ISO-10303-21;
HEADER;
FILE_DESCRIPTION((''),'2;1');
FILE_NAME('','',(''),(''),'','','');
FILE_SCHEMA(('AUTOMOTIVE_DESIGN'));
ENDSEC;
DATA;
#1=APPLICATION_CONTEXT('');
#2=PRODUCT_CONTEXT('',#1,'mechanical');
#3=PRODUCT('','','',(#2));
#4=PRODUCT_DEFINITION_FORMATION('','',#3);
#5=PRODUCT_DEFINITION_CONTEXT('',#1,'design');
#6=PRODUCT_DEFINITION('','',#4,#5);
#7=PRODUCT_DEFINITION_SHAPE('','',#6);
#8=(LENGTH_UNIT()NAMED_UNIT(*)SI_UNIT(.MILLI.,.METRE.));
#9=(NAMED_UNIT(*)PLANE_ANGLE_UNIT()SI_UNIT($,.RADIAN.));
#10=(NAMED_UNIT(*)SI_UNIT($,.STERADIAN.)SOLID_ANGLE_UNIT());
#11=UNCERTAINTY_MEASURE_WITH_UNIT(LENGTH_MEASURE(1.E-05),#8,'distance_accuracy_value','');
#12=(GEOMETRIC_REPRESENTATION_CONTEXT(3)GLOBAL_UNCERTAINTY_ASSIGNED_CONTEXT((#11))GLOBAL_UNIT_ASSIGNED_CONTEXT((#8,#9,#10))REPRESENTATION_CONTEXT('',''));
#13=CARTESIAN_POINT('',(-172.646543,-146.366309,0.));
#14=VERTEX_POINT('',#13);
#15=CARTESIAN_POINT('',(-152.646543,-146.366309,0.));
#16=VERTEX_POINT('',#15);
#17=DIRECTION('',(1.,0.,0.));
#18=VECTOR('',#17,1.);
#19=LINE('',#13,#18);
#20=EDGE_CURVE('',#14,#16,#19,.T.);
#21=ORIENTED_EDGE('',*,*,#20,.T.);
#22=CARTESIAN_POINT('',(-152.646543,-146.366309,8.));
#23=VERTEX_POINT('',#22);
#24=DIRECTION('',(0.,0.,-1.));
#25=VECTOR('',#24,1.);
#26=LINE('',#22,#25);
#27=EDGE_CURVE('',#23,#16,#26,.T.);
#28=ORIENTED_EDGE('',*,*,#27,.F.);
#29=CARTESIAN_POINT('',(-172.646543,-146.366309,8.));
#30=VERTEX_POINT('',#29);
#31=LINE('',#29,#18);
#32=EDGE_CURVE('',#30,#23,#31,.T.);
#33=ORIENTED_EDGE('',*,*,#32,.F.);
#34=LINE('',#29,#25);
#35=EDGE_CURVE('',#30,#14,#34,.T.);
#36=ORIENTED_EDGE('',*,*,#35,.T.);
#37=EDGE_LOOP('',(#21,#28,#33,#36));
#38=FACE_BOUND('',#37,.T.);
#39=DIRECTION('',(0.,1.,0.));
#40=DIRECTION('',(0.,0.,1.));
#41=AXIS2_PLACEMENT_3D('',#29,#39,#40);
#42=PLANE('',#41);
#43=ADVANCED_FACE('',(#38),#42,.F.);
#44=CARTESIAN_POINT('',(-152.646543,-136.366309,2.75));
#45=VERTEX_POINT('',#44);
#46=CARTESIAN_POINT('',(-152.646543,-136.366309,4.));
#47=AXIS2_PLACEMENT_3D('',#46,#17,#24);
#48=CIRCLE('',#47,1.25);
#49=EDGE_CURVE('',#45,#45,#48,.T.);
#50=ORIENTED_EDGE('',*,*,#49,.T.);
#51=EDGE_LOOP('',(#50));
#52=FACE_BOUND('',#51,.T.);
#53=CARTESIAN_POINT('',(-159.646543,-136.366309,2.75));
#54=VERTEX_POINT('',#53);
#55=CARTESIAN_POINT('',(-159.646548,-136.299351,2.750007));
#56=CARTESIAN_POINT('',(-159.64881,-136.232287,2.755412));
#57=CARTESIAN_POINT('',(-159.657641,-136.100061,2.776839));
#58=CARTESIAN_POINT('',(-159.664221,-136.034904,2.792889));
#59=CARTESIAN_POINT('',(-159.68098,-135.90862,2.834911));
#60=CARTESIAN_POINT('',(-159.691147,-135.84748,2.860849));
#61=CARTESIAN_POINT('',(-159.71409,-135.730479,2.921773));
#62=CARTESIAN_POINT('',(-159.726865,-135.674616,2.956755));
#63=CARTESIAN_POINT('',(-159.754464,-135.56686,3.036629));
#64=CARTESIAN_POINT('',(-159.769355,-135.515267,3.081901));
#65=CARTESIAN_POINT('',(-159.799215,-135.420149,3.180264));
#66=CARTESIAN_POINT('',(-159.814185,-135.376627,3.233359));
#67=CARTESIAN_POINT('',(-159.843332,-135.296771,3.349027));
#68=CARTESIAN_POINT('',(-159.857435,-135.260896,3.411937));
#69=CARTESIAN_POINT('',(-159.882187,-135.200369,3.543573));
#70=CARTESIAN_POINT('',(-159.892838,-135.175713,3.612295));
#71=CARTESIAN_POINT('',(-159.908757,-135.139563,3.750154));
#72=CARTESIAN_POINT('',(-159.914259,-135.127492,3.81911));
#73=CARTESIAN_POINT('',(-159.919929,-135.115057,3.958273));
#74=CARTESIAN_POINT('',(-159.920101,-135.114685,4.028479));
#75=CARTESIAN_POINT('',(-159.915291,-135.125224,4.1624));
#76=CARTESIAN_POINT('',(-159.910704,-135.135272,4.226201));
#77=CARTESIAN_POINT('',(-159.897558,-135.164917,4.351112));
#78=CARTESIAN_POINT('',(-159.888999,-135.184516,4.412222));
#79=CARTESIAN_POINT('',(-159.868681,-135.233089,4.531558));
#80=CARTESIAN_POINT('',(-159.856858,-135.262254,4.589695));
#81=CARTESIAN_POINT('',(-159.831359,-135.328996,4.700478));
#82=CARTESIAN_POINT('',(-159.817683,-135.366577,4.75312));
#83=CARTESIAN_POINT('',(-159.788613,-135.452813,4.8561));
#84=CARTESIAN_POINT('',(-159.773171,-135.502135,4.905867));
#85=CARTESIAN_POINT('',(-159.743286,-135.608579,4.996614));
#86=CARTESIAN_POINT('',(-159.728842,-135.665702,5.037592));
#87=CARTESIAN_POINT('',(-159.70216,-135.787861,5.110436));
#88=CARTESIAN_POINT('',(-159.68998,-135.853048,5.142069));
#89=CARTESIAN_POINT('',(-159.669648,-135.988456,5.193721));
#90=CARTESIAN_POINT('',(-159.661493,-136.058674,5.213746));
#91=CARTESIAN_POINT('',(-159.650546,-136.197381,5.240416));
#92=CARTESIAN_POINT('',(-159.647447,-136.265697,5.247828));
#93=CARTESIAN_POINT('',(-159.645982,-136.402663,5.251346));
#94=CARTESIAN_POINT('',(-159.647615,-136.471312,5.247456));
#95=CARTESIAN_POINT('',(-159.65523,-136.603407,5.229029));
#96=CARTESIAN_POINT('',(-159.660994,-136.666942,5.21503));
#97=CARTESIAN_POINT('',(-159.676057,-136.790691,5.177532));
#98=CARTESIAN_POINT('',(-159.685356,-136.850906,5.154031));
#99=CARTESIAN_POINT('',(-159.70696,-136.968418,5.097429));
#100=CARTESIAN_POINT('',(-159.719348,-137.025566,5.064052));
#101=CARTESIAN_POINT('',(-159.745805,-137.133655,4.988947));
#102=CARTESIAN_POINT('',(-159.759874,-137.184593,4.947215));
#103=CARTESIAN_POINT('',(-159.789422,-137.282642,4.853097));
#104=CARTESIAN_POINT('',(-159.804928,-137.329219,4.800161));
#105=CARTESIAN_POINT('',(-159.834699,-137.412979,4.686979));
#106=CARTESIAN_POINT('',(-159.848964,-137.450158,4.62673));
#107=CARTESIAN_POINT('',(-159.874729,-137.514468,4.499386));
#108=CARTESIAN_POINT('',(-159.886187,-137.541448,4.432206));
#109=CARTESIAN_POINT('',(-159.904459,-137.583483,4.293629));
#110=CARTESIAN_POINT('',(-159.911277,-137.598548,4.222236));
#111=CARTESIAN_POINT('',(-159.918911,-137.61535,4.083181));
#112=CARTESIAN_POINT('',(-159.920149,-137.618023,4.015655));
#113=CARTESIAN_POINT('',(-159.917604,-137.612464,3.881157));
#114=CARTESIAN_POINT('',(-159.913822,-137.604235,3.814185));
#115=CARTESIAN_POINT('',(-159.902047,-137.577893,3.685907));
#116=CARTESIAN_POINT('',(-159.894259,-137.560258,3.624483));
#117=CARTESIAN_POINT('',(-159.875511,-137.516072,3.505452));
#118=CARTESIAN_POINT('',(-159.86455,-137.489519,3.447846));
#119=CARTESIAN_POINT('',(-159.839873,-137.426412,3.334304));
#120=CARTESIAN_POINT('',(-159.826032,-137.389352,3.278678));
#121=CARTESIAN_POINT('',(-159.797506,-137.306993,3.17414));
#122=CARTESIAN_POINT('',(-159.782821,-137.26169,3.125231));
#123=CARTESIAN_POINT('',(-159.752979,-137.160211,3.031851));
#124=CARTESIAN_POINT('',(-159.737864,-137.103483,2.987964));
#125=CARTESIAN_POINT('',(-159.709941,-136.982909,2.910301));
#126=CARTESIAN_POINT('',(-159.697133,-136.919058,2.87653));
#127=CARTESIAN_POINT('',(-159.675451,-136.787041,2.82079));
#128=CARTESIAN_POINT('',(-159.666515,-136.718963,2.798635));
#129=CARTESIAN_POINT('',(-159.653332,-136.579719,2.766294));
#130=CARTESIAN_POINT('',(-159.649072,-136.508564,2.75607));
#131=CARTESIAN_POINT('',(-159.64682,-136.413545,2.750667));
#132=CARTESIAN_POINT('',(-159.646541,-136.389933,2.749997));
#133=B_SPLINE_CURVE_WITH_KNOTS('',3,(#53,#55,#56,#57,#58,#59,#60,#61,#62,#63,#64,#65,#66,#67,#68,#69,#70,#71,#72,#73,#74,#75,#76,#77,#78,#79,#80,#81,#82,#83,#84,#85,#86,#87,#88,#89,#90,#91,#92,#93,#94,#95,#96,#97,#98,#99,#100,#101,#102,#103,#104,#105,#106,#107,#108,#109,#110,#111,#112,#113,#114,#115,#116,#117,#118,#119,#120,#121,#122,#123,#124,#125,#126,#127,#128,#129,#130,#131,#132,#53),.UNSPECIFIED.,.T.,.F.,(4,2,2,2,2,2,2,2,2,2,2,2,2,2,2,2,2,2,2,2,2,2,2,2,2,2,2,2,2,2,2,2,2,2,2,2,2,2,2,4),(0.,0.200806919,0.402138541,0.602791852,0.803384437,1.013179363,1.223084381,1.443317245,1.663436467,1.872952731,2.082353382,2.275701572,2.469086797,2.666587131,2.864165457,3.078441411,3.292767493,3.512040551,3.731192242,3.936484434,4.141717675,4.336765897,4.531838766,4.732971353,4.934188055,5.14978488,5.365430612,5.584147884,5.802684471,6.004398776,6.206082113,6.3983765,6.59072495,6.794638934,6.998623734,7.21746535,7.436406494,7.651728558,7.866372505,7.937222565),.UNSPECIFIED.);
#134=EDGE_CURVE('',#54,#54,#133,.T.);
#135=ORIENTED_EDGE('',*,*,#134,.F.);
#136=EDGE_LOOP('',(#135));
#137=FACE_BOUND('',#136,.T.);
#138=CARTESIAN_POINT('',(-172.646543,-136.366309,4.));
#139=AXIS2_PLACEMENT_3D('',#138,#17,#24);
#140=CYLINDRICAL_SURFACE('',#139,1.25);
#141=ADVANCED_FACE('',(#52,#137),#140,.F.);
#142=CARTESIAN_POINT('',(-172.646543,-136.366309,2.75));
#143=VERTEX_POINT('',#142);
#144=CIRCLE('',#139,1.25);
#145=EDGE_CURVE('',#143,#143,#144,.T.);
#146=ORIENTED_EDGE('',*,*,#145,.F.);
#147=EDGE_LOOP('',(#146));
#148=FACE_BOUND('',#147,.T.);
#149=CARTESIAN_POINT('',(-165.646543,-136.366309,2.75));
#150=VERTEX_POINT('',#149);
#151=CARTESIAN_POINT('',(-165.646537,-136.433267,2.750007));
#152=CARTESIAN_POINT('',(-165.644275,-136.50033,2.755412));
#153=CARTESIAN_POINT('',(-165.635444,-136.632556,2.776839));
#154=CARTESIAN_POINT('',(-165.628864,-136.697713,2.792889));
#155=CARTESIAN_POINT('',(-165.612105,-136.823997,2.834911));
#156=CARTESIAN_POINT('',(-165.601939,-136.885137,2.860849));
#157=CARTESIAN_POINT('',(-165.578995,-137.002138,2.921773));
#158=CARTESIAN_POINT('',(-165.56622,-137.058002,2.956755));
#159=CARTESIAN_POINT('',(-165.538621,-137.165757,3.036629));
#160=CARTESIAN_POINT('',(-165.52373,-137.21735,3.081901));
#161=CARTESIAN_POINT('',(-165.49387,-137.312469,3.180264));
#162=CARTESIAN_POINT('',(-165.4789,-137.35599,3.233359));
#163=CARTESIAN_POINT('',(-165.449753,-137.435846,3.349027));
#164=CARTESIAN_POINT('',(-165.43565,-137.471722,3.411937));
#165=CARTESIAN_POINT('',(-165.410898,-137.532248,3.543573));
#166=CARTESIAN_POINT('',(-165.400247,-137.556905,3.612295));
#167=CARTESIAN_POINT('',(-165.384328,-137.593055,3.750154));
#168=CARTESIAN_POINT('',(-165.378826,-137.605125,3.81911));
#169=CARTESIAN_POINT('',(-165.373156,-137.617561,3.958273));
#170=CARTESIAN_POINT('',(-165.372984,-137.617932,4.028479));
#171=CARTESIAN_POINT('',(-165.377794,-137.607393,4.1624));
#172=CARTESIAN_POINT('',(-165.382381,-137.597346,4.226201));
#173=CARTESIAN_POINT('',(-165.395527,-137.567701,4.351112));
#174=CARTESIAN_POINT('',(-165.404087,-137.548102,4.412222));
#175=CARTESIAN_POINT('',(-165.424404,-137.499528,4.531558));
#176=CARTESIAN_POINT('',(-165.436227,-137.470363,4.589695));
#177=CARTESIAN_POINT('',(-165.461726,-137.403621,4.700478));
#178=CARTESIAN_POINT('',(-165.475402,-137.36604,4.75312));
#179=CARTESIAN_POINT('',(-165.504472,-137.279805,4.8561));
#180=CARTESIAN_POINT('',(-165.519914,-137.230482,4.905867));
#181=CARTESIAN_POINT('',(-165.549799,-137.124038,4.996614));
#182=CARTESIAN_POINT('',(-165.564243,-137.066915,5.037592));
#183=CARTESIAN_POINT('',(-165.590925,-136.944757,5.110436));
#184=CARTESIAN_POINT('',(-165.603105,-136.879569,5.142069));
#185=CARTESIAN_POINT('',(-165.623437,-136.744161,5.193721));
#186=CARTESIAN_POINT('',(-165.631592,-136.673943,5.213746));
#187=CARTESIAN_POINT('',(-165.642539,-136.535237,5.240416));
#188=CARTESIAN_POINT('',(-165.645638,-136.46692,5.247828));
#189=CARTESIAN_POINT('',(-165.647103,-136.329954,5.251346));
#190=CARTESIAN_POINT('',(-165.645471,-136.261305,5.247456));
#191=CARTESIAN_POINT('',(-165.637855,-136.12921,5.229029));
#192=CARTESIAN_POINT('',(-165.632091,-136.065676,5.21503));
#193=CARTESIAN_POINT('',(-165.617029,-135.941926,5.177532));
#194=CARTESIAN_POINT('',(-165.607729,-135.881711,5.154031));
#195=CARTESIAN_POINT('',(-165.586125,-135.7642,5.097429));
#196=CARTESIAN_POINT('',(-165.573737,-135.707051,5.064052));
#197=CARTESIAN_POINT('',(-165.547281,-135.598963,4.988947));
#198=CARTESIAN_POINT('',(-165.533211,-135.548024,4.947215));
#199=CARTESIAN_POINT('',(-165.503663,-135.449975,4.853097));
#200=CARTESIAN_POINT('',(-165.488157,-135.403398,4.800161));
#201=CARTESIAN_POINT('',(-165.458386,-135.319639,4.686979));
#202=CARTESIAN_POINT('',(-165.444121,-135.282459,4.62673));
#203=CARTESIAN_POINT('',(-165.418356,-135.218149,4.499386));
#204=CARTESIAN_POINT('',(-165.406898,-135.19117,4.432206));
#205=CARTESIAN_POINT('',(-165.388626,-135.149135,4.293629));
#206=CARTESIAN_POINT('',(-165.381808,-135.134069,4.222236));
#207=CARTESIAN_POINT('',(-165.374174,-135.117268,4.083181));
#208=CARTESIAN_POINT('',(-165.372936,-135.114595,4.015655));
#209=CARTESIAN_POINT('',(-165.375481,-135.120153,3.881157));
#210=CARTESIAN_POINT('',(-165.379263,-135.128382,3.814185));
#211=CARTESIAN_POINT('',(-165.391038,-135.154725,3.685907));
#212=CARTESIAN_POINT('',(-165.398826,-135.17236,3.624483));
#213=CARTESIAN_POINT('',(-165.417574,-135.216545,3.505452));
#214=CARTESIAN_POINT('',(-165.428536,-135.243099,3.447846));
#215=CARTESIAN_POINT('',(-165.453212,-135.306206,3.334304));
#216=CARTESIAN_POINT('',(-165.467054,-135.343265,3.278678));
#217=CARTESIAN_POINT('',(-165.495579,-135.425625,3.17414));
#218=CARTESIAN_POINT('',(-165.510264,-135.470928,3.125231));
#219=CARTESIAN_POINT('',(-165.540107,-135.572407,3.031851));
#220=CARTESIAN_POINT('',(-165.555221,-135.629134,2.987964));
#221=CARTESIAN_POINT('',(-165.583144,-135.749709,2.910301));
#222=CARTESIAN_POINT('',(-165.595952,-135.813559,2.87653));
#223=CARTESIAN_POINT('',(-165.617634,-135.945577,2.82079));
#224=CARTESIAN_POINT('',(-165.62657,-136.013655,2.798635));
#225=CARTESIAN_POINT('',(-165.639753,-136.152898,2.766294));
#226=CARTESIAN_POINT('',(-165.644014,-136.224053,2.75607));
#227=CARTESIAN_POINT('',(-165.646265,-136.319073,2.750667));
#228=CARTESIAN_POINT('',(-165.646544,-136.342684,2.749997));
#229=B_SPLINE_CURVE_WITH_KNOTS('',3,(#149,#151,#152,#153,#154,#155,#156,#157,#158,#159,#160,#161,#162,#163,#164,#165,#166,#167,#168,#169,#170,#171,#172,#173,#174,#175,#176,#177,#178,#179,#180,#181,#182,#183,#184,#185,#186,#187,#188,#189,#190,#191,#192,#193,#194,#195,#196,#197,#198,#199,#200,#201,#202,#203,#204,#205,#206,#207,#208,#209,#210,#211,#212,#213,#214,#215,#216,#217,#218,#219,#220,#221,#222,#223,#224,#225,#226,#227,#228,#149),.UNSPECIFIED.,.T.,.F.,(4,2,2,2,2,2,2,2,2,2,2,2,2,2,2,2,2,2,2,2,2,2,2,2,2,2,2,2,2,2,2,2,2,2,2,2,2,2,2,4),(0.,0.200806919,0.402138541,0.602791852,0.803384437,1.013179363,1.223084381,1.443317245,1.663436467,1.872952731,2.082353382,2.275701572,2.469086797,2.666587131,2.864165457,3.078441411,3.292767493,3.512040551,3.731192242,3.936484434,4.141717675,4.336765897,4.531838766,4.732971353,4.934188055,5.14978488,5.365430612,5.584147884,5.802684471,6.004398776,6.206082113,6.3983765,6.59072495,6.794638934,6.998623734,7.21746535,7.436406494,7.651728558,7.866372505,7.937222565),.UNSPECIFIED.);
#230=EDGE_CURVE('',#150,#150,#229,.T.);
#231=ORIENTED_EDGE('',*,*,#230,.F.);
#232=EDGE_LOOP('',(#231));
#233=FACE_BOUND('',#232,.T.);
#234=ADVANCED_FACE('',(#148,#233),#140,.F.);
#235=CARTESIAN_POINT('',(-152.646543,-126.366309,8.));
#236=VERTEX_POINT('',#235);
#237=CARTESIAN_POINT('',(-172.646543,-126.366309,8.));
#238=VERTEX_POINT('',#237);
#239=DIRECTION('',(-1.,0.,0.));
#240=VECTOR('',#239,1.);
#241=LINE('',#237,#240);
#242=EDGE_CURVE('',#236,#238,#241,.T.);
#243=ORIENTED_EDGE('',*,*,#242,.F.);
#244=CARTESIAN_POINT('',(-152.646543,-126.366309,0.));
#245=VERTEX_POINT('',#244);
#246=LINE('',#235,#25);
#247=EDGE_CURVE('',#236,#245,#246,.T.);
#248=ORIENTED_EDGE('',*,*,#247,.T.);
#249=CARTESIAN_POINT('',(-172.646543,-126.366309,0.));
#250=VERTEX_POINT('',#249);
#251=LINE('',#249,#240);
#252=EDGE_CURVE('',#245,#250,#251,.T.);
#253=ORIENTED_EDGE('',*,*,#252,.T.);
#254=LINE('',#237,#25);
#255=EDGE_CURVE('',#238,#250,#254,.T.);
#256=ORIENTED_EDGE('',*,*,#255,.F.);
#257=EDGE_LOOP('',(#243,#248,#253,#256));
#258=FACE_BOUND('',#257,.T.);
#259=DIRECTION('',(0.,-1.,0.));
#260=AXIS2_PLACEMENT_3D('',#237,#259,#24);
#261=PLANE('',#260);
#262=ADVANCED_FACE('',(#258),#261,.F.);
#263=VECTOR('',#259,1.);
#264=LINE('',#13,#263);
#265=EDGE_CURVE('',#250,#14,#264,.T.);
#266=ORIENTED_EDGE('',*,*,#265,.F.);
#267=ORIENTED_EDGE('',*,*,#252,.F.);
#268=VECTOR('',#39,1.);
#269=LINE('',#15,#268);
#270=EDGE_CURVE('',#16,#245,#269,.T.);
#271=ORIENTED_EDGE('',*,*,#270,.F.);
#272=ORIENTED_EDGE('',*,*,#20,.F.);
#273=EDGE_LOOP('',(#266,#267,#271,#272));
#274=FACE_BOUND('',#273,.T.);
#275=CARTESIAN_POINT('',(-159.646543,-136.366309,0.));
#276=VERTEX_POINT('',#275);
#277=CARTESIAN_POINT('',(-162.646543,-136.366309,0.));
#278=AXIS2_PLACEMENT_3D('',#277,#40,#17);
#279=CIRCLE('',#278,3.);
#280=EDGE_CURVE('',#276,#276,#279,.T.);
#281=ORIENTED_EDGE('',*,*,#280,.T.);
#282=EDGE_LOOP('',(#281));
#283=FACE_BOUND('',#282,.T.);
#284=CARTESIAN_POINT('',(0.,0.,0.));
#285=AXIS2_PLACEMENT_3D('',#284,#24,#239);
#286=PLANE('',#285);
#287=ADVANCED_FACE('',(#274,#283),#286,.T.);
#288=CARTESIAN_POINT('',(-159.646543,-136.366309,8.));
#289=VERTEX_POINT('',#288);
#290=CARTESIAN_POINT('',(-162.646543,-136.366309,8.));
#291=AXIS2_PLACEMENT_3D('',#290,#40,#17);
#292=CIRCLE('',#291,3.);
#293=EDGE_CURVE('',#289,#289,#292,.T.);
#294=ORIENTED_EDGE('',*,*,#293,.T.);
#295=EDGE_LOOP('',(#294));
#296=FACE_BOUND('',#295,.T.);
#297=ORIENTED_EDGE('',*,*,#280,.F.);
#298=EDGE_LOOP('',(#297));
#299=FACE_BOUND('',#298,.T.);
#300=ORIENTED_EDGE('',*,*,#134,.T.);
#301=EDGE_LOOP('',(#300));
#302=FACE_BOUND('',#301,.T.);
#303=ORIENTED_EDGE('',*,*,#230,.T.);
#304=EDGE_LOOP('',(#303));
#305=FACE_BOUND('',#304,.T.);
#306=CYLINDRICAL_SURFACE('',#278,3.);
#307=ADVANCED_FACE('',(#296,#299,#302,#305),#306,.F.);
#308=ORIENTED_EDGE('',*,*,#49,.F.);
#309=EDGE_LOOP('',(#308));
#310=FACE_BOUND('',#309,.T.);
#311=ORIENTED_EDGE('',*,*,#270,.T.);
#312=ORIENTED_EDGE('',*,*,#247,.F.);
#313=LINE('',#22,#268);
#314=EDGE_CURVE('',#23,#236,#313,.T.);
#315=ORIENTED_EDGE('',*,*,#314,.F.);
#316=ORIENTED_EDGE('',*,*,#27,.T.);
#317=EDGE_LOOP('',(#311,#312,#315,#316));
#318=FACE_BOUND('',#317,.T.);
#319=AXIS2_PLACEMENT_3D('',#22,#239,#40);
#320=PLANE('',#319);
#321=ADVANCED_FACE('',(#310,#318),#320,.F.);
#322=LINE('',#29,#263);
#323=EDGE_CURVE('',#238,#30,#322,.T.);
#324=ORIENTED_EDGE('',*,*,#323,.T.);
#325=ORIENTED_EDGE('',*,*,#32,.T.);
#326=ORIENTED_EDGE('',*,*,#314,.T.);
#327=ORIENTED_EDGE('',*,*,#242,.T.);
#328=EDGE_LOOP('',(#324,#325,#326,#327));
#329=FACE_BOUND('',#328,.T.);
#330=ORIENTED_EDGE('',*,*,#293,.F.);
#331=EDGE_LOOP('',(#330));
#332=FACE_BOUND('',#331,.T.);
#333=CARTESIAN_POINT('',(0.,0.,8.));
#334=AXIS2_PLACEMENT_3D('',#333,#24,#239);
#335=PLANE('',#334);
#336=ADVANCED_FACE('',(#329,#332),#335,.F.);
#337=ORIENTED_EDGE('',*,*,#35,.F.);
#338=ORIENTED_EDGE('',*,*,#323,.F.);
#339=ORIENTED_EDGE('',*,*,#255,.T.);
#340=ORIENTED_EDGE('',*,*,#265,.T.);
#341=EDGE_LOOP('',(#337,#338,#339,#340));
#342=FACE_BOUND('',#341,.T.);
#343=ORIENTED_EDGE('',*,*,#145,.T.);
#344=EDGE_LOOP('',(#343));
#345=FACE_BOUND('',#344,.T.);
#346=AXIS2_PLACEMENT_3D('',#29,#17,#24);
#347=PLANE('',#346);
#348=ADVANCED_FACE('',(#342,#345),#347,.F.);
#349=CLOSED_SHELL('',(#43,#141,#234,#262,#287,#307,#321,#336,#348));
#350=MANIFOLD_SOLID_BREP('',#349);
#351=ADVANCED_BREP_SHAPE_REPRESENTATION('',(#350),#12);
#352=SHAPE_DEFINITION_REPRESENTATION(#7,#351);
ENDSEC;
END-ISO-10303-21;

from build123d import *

# Parameters (mm, degrees)
SKETCH1_W           = 20
SKETCH1_H           = 20
BOSS_EXTRUDE1_DEPTH = 8
SKETCH2_R           = 3
CUT_EXTRUDE1_DEPTH  = 9
SKETCH3_R           = 1.25
CUT_EXTRUDE2_DEPTH  = 21


with BuildPart() as part:
    # Sketch1 → Boss-Extrude1 (new body)
    with BuildSketch(Plane.XY):
        with Locations((-162.646542572, -136.36630872)):
            Rectangle(SKETCH1_W, SKETCH1_H)
    extrude(amount=BOSS_EXTRUDE1_DEPTH)

    # Sketch2 → Cut-Extrude1 (cut, through all)
    with BuildSketch(Plane.XY.offset(8)):
        with Locations((-162.646542572, -136.36630872)):
            Circle(SKETCH2_R)
    extrude(amount=-CUT_EXTRUDE1_DEPTH, mode=Mode.SUBTRACT)

    # Sketch3 → Cut-Extrude2 (cut, through all)
    with BuildSketch(Plane(origin=(-152.646542572, 0, 0), x_dir=(0, 0, -1), z_dir=(1, 0, 0))):
        with Locations((-4, -136.36630872)):
            Circle(SKETCH3_R)
    extrude(amount=-CUT_EXTRUDE2_DEPTH, mode=Mode.SUBTRACT)


solid = part.part
